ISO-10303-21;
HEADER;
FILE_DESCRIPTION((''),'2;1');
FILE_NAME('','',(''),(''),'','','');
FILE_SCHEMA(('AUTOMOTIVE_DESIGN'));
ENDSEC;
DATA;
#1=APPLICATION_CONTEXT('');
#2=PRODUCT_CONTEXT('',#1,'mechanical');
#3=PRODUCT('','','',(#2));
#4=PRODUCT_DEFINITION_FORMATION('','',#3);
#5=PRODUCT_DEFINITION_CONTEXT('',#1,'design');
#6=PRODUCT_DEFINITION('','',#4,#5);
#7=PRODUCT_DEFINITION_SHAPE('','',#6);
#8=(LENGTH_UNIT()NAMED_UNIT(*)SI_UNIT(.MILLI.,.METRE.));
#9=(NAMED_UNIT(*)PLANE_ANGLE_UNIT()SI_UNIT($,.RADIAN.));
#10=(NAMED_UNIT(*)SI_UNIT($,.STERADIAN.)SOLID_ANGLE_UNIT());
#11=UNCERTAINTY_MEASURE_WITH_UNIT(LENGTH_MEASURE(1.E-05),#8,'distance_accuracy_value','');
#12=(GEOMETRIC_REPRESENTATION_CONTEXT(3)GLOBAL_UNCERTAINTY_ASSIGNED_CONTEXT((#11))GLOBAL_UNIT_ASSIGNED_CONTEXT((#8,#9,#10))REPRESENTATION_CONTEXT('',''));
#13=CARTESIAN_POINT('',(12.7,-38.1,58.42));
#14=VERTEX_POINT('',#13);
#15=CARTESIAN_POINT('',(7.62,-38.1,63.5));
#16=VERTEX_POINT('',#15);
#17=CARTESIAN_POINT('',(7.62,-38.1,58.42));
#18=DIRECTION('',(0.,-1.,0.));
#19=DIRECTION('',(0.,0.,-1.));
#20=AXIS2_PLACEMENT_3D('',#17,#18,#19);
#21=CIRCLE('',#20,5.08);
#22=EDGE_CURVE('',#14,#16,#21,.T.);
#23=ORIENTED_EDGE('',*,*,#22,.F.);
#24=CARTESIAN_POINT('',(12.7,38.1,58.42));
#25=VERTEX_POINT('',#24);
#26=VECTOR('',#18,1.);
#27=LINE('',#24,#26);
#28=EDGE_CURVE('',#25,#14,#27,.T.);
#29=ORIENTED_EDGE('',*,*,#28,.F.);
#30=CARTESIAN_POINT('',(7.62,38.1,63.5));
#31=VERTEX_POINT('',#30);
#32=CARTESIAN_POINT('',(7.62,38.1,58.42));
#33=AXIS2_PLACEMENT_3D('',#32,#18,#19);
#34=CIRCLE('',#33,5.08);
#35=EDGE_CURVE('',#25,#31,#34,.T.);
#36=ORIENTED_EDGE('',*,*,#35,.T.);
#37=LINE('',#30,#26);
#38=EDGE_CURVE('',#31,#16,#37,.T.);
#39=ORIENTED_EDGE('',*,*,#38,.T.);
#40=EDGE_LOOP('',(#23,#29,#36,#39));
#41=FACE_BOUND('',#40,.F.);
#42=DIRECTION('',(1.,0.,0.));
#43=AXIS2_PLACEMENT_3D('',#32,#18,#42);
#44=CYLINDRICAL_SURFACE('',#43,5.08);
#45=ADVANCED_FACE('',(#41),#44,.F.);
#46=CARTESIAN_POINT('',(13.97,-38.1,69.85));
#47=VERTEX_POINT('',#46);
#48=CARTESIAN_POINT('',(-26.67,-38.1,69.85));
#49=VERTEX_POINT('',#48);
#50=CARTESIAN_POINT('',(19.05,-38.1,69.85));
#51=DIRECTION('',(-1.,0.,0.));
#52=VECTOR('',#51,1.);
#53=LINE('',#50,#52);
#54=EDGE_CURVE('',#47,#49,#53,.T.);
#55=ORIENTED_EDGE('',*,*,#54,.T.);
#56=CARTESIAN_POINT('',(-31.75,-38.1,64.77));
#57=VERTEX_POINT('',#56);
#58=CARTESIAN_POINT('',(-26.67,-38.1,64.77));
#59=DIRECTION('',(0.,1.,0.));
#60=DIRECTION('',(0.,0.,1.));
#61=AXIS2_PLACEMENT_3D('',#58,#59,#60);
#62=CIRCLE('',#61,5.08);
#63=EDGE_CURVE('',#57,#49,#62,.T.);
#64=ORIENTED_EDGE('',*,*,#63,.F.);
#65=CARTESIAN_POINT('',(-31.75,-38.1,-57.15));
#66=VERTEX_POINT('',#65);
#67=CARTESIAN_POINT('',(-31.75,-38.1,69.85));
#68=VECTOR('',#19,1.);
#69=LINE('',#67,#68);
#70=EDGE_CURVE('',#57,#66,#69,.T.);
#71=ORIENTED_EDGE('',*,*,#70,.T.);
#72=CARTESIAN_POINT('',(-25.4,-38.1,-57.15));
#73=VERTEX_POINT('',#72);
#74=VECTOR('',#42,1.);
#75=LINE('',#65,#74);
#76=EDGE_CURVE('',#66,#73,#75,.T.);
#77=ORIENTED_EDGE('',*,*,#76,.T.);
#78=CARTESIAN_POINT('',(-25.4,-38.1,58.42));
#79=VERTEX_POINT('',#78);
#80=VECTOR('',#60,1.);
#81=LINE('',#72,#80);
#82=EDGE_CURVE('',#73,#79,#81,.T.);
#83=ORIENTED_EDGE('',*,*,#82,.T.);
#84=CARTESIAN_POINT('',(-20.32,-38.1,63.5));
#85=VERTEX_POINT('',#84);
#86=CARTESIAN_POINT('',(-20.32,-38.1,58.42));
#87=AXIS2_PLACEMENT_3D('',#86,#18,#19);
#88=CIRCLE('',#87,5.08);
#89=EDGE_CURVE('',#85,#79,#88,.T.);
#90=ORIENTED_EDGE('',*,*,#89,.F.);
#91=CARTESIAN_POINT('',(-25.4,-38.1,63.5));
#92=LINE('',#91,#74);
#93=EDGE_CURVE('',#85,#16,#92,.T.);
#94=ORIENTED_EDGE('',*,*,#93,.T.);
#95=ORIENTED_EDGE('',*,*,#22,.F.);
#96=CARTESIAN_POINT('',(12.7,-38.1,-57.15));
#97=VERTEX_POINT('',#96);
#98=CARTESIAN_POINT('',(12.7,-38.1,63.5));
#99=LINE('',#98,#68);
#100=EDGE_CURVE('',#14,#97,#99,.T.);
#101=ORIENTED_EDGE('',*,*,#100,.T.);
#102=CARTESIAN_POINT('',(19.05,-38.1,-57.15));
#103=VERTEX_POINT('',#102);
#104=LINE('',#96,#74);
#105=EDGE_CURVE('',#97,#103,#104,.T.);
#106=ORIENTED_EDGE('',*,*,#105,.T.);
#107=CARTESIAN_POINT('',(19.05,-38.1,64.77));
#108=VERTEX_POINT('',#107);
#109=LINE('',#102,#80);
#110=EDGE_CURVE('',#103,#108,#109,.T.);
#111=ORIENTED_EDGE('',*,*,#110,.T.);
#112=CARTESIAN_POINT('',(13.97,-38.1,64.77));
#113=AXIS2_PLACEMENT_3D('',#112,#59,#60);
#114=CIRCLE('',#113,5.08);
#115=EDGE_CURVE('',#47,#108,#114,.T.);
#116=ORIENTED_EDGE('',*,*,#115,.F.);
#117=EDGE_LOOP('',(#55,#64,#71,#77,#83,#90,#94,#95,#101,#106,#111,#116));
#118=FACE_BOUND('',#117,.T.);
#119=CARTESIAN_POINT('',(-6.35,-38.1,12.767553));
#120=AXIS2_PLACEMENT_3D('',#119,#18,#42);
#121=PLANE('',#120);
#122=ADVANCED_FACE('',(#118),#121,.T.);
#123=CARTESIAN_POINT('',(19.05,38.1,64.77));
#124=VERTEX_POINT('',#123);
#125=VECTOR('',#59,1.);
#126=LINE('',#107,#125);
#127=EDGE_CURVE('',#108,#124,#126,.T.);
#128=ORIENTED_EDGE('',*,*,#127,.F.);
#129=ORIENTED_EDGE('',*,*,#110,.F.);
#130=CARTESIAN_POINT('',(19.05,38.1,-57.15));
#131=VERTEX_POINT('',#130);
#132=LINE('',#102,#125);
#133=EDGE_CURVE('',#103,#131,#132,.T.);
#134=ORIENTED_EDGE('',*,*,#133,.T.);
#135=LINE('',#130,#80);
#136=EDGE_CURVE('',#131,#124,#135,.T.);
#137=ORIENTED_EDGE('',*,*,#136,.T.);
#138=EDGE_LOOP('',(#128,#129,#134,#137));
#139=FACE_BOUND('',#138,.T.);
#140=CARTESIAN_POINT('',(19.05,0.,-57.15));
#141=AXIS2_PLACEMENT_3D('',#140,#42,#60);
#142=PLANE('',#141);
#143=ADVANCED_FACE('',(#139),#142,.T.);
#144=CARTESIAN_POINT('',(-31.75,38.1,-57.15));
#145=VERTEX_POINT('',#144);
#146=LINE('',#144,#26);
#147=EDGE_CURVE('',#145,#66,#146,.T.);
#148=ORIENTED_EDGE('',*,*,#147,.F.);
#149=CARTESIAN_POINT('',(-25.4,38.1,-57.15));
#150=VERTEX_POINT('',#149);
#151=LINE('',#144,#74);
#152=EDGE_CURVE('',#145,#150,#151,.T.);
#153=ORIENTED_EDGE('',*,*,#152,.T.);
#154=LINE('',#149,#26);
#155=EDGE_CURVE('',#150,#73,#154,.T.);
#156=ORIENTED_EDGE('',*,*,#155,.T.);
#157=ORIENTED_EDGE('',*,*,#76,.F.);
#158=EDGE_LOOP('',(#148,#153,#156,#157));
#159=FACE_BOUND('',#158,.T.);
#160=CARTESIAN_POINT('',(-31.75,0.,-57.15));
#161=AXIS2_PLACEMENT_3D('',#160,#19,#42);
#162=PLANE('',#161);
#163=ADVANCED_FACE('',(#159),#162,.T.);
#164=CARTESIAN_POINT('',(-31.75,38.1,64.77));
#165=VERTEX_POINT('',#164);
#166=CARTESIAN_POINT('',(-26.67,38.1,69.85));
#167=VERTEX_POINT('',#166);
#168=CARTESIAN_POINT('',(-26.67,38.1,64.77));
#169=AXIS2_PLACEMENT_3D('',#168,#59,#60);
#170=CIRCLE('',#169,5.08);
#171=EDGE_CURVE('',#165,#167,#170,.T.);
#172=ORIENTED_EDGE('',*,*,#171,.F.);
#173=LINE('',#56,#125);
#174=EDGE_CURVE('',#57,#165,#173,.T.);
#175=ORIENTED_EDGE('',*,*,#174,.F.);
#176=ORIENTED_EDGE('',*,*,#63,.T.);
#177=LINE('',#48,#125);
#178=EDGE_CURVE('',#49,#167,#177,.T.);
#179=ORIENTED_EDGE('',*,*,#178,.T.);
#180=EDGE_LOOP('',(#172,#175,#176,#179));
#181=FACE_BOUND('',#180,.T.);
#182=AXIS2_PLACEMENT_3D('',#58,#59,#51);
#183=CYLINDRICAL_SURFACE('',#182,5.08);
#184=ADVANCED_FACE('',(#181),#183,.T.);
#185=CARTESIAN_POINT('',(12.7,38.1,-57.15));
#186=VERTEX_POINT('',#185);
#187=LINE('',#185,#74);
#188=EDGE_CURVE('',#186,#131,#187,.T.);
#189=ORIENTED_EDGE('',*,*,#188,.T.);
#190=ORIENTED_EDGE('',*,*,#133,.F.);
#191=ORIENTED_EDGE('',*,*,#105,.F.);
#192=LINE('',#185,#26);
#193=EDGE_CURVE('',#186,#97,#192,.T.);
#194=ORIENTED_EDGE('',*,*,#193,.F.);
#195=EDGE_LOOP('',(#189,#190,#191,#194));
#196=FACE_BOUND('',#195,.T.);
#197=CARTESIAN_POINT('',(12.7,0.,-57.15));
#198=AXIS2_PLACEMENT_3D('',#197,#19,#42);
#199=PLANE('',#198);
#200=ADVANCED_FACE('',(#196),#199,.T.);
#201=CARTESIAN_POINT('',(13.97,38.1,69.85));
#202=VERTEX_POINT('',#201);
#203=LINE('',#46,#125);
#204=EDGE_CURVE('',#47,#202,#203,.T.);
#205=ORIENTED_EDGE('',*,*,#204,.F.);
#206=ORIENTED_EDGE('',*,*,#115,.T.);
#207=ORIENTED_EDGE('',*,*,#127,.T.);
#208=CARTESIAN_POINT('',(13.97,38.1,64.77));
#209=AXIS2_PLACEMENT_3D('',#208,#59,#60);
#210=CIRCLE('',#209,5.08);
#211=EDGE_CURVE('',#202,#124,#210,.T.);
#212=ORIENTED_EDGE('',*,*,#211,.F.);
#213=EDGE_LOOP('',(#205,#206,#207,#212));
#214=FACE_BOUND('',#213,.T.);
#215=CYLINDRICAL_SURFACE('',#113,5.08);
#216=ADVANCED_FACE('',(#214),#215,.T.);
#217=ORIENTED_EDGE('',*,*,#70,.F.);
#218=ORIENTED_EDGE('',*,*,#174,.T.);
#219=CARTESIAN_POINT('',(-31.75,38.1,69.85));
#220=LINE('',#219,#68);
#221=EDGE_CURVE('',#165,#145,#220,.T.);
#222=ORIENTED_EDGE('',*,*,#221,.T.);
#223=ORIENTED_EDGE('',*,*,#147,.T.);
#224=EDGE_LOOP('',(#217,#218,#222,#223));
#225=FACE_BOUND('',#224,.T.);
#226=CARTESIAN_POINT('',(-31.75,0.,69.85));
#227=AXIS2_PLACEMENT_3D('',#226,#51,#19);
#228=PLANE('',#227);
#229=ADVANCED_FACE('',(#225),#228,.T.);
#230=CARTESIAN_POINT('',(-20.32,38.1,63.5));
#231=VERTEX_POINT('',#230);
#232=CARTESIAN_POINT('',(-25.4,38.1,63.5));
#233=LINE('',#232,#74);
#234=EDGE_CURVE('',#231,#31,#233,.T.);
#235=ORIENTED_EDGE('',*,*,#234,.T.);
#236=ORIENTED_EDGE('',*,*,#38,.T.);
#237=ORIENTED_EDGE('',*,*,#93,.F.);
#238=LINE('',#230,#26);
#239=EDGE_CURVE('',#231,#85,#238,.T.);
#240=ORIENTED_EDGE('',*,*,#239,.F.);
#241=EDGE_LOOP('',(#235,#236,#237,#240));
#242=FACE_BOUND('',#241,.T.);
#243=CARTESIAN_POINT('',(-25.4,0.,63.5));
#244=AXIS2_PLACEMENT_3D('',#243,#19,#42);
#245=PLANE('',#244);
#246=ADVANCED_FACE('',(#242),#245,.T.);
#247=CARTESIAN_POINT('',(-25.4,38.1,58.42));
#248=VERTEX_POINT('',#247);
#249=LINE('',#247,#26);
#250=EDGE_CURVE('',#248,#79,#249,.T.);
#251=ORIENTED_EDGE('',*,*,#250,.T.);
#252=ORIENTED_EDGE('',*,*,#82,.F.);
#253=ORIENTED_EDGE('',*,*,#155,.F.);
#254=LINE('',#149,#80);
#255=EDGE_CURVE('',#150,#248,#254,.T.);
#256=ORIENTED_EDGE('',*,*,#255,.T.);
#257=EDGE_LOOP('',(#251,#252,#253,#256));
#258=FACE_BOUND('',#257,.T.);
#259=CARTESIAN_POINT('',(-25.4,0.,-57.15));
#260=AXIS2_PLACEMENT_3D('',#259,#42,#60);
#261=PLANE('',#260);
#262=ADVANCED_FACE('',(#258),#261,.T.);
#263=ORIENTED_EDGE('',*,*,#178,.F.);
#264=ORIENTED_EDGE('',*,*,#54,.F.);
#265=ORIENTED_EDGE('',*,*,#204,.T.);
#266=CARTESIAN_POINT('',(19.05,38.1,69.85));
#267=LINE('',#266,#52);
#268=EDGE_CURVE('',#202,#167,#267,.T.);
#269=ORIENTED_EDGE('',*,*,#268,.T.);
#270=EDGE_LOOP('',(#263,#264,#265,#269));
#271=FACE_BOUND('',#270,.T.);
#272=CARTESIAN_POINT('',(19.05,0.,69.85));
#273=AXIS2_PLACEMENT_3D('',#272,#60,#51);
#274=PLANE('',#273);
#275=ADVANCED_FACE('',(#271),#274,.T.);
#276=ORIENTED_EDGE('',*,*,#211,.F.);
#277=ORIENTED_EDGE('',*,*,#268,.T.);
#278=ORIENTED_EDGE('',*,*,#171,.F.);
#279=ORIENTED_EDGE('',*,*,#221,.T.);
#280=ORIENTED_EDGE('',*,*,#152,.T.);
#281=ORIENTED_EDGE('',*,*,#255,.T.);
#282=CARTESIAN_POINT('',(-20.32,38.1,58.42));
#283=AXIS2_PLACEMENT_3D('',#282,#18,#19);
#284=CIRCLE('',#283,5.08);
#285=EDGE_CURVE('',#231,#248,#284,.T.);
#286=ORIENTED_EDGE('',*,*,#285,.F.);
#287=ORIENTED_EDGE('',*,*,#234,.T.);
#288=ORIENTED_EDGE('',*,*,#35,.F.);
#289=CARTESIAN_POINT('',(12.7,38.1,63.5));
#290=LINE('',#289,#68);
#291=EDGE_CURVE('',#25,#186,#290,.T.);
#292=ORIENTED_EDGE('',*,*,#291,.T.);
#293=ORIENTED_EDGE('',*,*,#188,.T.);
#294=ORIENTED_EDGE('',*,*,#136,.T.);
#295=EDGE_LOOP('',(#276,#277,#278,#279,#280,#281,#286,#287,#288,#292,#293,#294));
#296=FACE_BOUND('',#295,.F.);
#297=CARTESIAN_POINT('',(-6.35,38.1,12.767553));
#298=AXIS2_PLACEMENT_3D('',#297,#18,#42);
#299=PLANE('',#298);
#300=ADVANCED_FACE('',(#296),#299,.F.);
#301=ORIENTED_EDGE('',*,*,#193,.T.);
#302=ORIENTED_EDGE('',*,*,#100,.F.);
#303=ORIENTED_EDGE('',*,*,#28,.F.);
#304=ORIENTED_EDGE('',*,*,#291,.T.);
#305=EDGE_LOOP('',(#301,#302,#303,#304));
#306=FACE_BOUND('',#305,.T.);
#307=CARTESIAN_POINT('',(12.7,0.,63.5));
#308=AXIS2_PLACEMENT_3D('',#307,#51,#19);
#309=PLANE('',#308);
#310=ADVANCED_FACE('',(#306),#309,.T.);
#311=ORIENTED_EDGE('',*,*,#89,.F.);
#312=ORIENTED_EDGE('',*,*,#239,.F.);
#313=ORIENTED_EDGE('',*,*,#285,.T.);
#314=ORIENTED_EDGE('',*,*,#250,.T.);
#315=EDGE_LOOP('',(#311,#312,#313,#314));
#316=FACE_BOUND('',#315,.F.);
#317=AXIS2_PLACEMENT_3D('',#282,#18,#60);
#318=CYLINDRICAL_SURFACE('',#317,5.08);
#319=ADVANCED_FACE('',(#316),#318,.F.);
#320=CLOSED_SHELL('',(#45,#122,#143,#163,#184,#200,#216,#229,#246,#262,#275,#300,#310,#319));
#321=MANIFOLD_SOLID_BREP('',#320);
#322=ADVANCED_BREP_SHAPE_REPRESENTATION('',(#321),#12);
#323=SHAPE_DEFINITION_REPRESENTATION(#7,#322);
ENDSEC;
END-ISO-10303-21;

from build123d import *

# Parameters (mm, degrees)
F1_DEPTH      = 38.1
F1_DEPTH_BACK = 38.1
F2_R          = 5.08


with BuildPart() as f1:
    # F0 (on Front) → F1 (new body, two sides)
    with BuildSketch(Plane.XZ) as f1_sk:
        Polygon((-31.75, 69.85), (-31.75, -57.15), (-25.4, -57.15), (-25.4, 63.5), (12.7, 63.5), (12.7, -57.15), (19.05, -57.15), (19.05, 69.85), align=None)
    extrude(amount=F1_DEPTH)
    extrude(f1_sk.sketch, amount=-F1_DEPTH_BACK)

    # F2
    f2_edges = [f1.edges().sort_by_distance(p)[0] for p in [
        (-31.75, 0, 69.85),
        (19.05, 0, 69.85),
        (-25.4, 0, 63.5),
        (12.7, 0, 63.5),
    ]]
    fillet(f2_edges, radius=F2_R)


solid = f1.part
